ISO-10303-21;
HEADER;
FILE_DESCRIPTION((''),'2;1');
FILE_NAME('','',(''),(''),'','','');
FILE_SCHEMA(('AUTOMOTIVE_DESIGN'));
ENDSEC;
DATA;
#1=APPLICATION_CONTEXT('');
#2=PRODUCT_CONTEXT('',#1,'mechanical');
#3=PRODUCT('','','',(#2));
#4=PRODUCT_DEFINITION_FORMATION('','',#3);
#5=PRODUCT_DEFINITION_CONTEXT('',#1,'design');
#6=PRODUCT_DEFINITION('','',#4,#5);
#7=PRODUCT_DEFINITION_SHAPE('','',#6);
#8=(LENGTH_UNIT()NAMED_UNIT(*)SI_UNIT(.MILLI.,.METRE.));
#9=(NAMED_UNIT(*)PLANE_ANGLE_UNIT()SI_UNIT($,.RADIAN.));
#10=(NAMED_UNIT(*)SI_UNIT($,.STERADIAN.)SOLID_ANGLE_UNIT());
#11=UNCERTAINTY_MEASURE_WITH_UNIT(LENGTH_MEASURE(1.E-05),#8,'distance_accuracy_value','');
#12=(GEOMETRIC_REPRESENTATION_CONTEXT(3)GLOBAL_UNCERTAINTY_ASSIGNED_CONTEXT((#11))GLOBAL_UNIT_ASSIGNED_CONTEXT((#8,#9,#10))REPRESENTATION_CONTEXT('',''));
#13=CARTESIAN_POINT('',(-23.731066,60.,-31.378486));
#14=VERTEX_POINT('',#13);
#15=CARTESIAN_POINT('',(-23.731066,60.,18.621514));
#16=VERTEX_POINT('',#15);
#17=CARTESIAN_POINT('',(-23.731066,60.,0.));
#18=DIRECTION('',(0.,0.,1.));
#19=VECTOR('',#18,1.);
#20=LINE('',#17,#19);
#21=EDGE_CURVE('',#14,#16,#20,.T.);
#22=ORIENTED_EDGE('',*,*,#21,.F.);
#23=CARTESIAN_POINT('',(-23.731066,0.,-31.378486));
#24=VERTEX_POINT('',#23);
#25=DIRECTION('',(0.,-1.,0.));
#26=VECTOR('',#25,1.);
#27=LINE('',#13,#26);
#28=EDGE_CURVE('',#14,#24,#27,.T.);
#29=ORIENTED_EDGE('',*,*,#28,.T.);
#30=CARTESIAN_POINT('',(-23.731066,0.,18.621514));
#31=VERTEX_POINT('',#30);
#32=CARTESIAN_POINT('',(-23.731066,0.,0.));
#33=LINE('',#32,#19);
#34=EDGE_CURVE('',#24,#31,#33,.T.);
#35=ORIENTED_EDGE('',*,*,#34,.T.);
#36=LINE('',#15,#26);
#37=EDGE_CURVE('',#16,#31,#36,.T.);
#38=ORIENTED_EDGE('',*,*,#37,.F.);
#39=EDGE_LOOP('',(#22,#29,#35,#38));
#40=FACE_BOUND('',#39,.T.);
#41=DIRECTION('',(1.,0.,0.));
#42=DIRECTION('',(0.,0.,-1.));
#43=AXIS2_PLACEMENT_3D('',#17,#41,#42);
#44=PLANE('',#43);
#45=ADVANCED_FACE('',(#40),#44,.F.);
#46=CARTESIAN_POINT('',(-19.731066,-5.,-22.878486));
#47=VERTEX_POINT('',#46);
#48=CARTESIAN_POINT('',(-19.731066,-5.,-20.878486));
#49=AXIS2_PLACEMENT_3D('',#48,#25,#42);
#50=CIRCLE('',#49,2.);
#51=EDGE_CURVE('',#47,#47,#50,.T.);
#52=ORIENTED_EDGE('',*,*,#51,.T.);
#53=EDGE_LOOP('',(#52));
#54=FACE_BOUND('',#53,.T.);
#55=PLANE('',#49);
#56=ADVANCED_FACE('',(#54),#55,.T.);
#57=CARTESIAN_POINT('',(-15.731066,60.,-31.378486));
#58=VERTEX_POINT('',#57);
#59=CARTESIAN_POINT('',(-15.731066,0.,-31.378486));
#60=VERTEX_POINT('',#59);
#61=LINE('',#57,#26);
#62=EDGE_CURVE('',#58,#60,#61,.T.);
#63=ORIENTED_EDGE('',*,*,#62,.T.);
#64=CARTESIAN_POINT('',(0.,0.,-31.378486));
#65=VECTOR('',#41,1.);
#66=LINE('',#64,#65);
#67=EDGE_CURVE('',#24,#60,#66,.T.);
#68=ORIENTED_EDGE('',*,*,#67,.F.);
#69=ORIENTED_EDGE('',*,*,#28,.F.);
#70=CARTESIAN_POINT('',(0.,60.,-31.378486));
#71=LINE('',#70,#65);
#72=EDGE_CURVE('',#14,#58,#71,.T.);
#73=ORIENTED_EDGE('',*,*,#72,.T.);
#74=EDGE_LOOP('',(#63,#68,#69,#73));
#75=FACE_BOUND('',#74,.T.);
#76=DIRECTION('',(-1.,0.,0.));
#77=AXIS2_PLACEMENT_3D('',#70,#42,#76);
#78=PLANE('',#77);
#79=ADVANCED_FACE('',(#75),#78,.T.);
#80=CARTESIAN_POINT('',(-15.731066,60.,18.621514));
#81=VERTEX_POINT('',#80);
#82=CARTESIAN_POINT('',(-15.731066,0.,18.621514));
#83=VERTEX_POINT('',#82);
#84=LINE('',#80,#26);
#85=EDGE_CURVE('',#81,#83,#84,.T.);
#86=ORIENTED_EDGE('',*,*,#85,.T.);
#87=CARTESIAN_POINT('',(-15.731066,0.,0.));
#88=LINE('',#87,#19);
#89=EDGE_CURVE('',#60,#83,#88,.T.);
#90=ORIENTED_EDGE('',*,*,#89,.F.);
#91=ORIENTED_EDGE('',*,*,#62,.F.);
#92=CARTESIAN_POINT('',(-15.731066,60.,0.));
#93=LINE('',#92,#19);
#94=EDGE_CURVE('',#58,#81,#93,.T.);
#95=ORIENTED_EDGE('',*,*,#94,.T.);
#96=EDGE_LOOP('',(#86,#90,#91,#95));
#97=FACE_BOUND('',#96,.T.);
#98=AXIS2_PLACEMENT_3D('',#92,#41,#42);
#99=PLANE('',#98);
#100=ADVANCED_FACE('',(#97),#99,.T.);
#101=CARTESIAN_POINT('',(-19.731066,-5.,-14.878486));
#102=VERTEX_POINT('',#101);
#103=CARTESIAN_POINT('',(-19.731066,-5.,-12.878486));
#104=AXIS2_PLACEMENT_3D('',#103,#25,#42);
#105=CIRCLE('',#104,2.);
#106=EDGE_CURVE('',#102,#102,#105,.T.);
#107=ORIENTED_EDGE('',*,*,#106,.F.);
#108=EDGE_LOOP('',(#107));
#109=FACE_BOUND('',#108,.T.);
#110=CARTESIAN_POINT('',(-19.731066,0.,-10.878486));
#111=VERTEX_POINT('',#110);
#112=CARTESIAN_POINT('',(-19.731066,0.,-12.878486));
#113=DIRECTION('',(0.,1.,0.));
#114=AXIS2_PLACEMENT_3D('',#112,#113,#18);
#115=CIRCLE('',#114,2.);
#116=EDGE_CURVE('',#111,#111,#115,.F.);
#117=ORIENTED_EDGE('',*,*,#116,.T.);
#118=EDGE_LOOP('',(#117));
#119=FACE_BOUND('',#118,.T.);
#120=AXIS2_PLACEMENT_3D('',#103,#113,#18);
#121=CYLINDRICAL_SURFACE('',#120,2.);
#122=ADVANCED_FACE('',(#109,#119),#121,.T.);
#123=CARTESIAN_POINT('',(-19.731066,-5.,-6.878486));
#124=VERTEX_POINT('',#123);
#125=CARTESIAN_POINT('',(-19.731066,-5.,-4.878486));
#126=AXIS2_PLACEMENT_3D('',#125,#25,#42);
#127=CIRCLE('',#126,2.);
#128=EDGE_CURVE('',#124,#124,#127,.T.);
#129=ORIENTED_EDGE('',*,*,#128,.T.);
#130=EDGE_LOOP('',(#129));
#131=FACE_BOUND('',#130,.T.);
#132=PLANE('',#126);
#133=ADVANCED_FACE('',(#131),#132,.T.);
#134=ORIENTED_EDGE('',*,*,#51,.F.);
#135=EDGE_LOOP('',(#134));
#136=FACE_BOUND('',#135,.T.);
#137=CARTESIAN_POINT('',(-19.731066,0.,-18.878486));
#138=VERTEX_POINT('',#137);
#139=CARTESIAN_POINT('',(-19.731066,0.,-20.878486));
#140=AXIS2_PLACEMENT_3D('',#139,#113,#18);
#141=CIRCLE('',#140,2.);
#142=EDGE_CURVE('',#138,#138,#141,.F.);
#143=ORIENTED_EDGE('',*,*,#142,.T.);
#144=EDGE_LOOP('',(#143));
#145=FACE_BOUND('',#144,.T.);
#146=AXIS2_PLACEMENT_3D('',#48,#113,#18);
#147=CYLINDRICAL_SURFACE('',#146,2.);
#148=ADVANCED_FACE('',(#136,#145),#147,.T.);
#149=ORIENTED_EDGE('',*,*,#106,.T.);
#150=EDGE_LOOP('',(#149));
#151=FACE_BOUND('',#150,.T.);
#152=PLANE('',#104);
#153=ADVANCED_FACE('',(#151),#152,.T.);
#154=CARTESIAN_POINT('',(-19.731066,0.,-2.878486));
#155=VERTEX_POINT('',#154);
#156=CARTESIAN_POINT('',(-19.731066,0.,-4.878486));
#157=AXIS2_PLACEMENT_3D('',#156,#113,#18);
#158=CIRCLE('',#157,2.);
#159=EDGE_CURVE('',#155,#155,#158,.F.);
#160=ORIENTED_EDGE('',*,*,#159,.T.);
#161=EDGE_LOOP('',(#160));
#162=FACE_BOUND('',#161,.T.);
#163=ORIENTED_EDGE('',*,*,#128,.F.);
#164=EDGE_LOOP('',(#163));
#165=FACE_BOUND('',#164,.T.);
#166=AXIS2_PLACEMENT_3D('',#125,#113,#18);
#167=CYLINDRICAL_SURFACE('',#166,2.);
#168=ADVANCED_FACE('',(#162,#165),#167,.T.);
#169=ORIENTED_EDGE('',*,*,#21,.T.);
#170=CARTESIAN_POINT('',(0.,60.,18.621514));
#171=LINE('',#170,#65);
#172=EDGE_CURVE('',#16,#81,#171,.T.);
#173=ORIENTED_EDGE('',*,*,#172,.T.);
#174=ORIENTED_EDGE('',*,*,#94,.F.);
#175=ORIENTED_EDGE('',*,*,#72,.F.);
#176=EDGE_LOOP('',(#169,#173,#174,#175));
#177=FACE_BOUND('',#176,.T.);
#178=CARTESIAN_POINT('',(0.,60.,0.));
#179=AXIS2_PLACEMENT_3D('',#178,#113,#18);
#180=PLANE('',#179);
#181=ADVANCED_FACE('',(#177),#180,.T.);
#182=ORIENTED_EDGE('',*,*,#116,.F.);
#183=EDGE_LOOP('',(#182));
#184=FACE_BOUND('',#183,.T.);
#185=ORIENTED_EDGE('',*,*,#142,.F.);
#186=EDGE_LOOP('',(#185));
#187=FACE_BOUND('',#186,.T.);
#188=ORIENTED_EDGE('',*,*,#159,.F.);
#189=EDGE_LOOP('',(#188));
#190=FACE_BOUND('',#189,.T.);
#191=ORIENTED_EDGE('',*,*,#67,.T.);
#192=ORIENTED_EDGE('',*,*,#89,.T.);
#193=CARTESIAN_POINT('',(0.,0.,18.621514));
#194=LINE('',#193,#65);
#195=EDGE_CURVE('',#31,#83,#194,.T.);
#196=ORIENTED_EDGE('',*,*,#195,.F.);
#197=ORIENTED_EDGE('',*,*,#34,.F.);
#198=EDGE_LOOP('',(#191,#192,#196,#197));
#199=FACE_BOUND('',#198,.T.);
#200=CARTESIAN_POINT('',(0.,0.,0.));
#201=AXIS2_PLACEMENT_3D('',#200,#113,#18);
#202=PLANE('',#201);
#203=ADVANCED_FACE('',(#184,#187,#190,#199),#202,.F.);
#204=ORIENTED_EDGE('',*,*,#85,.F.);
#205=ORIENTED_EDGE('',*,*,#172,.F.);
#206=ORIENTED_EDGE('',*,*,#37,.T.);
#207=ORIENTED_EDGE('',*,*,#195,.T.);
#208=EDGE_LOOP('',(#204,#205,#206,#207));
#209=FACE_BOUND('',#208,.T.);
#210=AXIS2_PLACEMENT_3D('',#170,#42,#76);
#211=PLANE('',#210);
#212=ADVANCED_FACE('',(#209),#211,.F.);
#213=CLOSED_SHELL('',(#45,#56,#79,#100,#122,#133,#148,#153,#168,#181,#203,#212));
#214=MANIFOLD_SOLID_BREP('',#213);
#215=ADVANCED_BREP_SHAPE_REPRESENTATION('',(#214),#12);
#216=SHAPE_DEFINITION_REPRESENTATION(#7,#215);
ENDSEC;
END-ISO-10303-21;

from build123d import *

# Parameters (mm, degrees)
SKETCH2_W           = 8
SKETCH2_H           = 50
SKETCH2_R           = 2.25
BOSS_EXTRUDE1_DEPTH = 60
SKETCH3_R           = 2
BOSS_EXTRUDE2_DEPTH = 5


with BuildPart() as part:
    # Sketch2 → Boss-Extrude1 (new body)
    # profile 1 of 4: a face of its own
    with BuildSketch(Plane(origin=(0, 0, 0), x_dir=(1, 0, 0), z_dir=(0, 1, 0))):
        with Locations((-19.731065886, 6.378485879)):
            Rectangle(SKETCH2_W, SKETCH2_H)
        with Locations((-19.731065886, 20.878485879)):
            Circle(SKETCH2_R, mode=Mode.SUBTRACT)
        with Locations((-19.731065886, 12.878485879)):
            Circle(SKETCH2_R, mode=Mode.SUBTRACT)
        with Locations((-19.731065886, 4.878485879)):
            Circle(SKETCH2_R, mode=Mode.SUBTRACT)
    # profile 2 of 4: a face of its own
    with BuildSketch(Plane(origin=(0, 0, 0), x_dir=(1, 0, 0), z_dir=(0, 1, 0))):
        with Locations((-19.731065886, 20.878485879)):
            Circle(SKETCH2_R)
    # profile 3 of 4: a face of its own
    with BuildSketch(Plane(origin=(0, 0, 0), x_dir=(1, 0, 0), z_dir=(0, 1, 0))):
        with Locations((-19.731065886, 12.878485879)):
            Circle(SKETCH2_R)
    # profile 4 of 4: a face of its own
    with BuildSketch(Plane(origin=(0, 0, 0), x_dir=(1, 0, 0), z_dir=(0, 1, 0))):
        with Locations((-19.731065886, 4.878485879)):
            Circle(SKETCH2_R)
    extrude(amount=BOSS_EXTRUDE1_DEPTH)

    # Sketch3 → Boss-Extrude2 (add)
    with BuildSketch(Plane.XZ):
        with Locations(Location((-19.731065886, -4.878485879, 0), (0, 0, 90))):
            Circle(SKETCH3_R)
        with Locations(Location((-19.731065886, -12.878485879, 0), (0, 0, 90))):
            Circle(SKETCH3_R)
        with Locations(Location((-19.731065886, -20.878485879, 0), (0, 0, 90))):
            Circle(SKETCH3_R)
    extrude(amount=BOSS_EXTRUDE2_DEPTH)


solid = part.part
